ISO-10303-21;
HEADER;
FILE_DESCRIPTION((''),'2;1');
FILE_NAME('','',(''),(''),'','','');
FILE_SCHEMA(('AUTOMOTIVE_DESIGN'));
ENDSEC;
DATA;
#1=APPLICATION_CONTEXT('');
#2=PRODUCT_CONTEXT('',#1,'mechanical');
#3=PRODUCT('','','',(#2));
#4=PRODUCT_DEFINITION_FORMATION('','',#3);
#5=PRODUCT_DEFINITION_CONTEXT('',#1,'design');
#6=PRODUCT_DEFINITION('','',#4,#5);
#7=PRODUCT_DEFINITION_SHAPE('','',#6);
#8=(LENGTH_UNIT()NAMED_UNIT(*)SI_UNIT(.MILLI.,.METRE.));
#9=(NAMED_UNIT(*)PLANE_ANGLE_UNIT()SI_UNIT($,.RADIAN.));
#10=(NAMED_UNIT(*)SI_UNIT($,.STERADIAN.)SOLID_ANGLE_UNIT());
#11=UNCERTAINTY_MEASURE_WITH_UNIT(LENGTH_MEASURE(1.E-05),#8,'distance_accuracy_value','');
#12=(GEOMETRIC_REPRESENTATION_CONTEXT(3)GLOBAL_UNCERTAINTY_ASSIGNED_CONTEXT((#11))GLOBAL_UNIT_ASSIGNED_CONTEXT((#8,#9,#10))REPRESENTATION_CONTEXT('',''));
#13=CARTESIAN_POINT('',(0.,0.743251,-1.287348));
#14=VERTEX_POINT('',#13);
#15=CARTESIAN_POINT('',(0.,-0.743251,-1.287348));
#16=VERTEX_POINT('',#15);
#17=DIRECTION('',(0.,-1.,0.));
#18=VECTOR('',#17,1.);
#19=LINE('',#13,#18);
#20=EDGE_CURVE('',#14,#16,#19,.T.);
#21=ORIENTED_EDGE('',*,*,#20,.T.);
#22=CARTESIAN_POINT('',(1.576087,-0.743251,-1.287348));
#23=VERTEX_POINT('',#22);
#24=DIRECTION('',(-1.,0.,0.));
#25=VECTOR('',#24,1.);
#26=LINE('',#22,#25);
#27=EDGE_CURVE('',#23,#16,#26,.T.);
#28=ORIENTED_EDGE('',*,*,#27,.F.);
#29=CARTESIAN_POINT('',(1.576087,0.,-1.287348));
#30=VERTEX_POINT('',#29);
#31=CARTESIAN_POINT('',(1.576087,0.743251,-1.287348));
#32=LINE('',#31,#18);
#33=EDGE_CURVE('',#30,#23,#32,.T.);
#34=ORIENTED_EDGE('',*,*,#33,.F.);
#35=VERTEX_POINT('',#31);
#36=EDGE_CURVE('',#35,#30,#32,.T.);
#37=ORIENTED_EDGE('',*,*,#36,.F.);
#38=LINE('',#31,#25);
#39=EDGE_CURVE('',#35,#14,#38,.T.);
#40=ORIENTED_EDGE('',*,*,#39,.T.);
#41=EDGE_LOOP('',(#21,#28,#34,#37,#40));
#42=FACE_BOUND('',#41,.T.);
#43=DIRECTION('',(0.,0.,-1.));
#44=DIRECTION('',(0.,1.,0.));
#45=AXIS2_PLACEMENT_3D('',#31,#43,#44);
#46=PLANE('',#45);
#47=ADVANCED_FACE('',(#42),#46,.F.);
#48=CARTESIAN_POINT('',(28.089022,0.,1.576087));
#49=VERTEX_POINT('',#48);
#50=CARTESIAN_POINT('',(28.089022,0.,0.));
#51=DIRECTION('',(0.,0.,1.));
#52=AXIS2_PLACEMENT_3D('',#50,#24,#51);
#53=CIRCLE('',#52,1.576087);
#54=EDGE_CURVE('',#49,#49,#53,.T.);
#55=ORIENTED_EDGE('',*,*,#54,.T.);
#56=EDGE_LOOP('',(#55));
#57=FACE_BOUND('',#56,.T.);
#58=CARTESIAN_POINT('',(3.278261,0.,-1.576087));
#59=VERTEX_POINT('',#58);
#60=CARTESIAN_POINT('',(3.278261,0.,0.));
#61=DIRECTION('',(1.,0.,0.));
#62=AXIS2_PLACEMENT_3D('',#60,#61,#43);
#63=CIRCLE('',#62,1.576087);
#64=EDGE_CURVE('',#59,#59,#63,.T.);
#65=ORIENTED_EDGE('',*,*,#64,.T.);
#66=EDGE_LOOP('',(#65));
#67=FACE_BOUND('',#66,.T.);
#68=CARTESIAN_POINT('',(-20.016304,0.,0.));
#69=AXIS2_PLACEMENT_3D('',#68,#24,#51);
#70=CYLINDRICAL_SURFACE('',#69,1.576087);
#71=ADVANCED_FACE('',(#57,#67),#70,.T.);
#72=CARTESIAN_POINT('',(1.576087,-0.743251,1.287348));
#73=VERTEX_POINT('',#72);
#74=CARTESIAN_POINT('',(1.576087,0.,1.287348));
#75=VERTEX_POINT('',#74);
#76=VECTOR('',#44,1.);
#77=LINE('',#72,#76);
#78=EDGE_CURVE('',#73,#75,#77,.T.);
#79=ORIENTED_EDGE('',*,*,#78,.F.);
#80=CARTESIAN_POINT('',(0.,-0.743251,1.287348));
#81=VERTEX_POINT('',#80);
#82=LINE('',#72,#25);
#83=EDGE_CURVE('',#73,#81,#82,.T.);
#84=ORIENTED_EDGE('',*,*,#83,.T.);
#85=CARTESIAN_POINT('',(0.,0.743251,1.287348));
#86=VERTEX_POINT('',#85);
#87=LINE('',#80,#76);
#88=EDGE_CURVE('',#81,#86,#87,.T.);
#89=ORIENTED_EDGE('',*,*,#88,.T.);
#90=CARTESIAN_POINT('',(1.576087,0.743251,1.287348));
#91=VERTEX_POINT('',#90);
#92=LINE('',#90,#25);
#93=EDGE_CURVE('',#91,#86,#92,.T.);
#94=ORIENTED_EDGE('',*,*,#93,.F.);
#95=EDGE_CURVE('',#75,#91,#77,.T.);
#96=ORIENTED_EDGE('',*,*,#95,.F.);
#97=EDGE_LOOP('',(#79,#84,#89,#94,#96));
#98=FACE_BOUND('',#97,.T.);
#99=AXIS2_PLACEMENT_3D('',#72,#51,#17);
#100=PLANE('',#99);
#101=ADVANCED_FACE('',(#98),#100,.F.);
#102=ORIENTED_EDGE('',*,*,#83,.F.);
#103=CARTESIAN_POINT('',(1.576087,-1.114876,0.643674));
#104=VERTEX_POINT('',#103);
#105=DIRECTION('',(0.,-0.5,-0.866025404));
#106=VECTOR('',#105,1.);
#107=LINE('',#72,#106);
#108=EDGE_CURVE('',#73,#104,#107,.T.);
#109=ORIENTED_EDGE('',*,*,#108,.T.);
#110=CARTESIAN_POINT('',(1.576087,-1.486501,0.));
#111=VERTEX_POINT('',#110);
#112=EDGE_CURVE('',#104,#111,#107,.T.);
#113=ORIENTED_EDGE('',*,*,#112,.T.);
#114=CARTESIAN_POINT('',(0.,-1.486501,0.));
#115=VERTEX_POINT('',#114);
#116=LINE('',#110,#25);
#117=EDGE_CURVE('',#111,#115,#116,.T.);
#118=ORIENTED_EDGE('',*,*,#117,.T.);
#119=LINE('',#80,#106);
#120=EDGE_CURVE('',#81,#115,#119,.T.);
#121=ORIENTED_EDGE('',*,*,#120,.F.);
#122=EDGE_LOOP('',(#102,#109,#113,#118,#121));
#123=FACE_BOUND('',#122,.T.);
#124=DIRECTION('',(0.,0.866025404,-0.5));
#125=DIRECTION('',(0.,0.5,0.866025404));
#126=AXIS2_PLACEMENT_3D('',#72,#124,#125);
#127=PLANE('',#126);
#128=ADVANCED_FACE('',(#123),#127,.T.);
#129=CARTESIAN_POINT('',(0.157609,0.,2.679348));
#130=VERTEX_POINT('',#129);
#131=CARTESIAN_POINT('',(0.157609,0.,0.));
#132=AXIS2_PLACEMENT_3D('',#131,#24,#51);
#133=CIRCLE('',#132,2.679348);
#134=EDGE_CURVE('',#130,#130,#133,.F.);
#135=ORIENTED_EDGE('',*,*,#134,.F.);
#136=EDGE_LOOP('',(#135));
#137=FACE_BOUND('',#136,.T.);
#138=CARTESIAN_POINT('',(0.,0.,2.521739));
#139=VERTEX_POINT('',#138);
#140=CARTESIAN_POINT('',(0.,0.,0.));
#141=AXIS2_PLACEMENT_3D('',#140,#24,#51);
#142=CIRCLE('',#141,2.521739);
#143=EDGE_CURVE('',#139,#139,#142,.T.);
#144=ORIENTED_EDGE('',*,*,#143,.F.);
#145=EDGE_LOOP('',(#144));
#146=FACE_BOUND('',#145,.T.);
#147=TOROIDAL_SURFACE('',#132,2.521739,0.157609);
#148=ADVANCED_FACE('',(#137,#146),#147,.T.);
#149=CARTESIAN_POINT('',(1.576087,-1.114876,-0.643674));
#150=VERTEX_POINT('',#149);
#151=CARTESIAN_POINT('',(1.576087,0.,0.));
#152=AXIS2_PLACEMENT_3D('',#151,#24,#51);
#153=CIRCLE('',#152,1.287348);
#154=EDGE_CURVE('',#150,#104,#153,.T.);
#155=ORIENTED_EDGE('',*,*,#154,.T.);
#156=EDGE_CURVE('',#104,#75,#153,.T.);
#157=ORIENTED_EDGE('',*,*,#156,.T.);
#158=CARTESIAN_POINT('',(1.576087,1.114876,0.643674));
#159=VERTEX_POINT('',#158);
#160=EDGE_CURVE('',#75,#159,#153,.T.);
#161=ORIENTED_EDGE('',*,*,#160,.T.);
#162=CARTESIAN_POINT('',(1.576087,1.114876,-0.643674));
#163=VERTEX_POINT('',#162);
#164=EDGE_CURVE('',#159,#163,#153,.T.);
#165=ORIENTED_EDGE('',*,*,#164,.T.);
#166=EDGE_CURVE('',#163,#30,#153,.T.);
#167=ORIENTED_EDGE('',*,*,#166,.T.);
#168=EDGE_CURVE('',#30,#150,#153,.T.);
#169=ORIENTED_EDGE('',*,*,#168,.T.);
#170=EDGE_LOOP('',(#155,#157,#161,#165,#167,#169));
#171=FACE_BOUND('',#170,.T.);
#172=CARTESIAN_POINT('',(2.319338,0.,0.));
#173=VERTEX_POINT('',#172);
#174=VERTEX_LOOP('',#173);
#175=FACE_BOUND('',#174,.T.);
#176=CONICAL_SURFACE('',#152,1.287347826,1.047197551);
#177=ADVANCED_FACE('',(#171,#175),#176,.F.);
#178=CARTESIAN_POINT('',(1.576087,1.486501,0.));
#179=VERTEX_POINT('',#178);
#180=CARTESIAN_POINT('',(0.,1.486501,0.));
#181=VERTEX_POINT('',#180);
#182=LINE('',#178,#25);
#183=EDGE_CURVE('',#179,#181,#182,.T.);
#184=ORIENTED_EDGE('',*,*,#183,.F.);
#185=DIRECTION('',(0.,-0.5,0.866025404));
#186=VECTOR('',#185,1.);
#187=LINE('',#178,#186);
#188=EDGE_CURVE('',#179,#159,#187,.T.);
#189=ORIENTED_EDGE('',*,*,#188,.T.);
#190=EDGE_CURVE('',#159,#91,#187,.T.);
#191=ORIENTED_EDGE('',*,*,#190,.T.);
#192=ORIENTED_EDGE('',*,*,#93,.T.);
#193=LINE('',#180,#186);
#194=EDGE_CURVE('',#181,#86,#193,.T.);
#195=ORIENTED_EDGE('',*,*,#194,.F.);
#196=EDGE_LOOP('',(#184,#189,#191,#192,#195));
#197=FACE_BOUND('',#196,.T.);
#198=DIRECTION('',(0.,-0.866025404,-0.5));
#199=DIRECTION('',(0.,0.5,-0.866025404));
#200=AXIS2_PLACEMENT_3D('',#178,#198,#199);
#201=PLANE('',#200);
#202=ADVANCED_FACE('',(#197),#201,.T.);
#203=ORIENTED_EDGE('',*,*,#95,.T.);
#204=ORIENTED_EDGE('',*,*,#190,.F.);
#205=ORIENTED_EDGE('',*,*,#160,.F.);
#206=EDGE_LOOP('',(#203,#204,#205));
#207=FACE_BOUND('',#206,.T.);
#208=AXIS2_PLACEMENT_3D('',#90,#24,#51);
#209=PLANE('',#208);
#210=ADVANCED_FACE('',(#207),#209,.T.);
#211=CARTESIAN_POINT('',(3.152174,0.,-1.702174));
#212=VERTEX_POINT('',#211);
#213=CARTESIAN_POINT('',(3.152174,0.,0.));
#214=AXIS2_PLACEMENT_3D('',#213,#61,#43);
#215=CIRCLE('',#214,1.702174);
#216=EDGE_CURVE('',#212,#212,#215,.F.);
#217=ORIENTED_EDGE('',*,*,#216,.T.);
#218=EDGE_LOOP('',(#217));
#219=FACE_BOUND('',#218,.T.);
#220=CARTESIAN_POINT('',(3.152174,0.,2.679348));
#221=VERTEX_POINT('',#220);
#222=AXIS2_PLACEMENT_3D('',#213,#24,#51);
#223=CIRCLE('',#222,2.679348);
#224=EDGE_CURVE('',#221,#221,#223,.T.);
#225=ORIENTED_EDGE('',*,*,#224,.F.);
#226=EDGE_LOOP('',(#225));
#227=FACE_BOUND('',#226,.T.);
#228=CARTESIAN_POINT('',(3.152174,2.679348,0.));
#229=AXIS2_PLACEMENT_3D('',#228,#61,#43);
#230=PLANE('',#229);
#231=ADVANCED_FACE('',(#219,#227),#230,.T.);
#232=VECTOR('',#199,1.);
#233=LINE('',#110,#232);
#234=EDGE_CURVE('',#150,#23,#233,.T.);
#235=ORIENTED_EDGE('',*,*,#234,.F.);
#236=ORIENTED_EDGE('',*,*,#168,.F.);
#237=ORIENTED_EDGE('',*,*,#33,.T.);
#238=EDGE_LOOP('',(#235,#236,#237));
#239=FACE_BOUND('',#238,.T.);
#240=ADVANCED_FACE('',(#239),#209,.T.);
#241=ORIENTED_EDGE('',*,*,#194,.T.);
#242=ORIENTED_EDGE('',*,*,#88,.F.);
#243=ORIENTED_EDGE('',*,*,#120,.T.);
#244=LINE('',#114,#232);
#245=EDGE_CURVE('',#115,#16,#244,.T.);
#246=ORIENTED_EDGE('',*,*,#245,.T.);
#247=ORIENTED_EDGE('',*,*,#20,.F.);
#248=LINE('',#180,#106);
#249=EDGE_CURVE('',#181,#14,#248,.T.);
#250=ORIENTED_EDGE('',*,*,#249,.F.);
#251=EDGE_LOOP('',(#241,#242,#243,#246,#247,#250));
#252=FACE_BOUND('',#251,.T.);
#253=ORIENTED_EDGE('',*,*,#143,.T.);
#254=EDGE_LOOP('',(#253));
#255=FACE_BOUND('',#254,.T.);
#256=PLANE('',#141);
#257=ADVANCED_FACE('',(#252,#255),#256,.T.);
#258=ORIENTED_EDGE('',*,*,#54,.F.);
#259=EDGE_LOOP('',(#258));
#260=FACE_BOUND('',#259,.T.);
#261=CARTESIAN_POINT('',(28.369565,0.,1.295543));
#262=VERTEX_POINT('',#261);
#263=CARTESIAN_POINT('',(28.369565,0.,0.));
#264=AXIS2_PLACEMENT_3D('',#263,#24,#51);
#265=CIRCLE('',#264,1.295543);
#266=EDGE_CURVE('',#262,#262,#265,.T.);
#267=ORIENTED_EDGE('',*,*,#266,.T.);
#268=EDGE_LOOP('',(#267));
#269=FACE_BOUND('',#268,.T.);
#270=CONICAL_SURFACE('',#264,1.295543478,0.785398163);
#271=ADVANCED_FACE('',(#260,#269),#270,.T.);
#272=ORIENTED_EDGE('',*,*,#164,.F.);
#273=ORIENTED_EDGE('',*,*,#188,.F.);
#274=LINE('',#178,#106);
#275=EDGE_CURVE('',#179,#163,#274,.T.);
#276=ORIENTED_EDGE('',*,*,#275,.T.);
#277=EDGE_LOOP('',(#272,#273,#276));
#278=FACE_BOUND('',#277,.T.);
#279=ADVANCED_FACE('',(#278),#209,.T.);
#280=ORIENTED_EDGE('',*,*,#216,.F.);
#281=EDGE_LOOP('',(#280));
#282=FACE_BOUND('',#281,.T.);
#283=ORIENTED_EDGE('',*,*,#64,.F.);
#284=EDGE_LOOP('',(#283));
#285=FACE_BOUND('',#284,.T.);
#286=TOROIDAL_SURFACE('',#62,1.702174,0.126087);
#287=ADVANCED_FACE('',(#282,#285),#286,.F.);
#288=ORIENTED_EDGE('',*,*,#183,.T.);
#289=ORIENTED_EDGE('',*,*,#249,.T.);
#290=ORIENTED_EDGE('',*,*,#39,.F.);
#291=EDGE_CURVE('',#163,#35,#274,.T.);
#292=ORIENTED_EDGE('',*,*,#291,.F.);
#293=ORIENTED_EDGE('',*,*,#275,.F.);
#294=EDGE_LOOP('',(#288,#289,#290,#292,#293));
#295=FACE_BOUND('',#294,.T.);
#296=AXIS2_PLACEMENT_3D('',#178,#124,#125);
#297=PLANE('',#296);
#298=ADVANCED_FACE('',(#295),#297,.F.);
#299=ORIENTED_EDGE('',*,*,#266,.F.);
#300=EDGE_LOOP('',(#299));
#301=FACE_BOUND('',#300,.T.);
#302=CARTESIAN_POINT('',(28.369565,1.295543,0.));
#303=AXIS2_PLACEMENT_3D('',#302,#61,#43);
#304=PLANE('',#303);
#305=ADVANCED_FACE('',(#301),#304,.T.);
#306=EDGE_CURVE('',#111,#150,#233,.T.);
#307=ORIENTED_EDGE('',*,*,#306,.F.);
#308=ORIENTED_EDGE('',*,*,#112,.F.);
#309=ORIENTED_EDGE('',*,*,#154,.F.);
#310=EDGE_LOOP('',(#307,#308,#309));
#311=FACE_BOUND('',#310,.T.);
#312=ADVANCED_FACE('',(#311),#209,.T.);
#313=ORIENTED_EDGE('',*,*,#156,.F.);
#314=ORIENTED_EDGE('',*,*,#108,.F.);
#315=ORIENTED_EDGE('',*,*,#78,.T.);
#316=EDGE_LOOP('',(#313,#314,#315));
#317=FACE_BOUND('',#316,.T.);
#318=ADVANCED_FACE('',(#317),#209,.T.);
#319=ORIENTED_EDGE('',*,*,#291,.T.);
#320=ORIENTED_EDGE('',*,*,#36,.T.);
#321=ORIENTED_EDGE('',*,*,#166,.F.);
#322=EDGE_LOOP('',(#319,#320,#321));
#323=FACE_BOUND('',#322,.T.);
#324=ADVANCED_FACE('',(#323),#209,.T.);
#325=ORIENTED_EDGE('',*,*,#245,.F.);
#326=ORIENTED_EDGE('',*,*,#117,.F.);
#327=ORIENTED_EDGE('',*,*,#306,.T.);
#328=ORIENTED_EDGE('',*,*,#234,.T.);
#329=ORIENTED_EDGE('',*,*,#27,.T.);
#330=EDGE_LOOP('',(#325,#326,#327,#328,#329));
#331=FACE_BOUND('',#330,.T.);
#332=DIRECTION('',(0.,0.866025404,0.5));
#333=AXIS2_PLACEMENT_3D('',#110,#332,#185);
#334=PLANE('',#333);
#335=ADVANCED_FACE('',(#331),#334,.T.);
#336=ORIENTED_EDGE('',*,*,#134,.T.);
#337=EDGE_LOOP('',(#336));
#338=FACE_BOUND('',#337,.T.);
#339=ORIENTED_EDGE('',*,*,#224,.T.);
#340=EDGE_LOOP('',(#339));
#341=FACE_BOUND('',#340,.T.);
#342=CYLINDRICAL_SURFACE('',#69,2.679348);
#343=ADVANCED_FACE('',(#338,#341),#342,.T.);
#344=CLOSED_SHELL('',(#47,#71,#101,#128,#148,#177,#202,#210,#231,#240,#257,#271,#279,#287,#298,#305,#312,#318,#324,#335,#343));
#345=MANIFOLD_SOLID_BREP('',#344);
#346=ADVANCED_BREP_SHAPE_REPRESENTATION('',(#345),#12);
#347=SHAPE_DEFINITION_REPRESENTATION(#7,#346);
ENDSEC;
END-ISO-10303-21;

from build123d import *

# Parameters (mm, degrees)
FILLET1_R    = 0.2
FILLET2_R    = 0.25
HEX_2_DEPTH  = 2.5
SCALE1_SCALE = 0.630434783


with BuildPart() as part:
    # BodySke → Base-Revolve (revolve)
    with BuildSketch(Plane.XY):
        Polygon((0, 0), (0, 4.25), (5, 4.25), (5, 2.5), (44.555, 2.5), (45, 2.055), (45, 0), align=None)
    revolve(axis=Axis((-31.75, 0, 0), (1, 0, 0)))

    # Fillet1
    fillet1_edges = [part.edges().sort_by_distance(p)[0] for p in [
        (5, -2.5, 0),
    ]]
    fillet(fillet1_edges, radius=FILLET1_R)

    # Fillet2
    fillet2_edges = [part.edges().sort_by_distance(p)[0] for p in [
        (0, -4.25, 0),
    ]]
    fillet(fillet2_edges, radius=FILLET2_R)

    # Sketch2 → Hex-PreBroach (revolve, cut)
    with BuildSketch(Plane.XY):
        Polygon((0, 2.042), (2.5, 2.042), (3.67894925, 0), (0, 0), align=None)
    revolve(axis=Axis((0, 0, 0), (1, 0, 0)), mode=Mode.SUBTRACT)

    # Sketch3 → Hex 2 (cut)
    with BuildSketch(Plane(origin=(0, 0, 0), x_dir=(0, 0.5, 0.866025404), z_dir=(-1, 0, 0))):
        Polygon((1.17894925, 2.042), (-1.17894925, 2.042), (-2.357898499, 0), (-1.17894925, -2.042), (1.17894925, -2.042), (2.357898499, 0), align=None)
    extrude(amount=-HEX_2_DEPTH, mode=Mode.SUBTRACT)


with BuildPart() as part_1:
    # Scale1: scaled about (0, 0, 0)
    add(part.part.scale(SCALE1_SCALE))


solid = part_1.part
